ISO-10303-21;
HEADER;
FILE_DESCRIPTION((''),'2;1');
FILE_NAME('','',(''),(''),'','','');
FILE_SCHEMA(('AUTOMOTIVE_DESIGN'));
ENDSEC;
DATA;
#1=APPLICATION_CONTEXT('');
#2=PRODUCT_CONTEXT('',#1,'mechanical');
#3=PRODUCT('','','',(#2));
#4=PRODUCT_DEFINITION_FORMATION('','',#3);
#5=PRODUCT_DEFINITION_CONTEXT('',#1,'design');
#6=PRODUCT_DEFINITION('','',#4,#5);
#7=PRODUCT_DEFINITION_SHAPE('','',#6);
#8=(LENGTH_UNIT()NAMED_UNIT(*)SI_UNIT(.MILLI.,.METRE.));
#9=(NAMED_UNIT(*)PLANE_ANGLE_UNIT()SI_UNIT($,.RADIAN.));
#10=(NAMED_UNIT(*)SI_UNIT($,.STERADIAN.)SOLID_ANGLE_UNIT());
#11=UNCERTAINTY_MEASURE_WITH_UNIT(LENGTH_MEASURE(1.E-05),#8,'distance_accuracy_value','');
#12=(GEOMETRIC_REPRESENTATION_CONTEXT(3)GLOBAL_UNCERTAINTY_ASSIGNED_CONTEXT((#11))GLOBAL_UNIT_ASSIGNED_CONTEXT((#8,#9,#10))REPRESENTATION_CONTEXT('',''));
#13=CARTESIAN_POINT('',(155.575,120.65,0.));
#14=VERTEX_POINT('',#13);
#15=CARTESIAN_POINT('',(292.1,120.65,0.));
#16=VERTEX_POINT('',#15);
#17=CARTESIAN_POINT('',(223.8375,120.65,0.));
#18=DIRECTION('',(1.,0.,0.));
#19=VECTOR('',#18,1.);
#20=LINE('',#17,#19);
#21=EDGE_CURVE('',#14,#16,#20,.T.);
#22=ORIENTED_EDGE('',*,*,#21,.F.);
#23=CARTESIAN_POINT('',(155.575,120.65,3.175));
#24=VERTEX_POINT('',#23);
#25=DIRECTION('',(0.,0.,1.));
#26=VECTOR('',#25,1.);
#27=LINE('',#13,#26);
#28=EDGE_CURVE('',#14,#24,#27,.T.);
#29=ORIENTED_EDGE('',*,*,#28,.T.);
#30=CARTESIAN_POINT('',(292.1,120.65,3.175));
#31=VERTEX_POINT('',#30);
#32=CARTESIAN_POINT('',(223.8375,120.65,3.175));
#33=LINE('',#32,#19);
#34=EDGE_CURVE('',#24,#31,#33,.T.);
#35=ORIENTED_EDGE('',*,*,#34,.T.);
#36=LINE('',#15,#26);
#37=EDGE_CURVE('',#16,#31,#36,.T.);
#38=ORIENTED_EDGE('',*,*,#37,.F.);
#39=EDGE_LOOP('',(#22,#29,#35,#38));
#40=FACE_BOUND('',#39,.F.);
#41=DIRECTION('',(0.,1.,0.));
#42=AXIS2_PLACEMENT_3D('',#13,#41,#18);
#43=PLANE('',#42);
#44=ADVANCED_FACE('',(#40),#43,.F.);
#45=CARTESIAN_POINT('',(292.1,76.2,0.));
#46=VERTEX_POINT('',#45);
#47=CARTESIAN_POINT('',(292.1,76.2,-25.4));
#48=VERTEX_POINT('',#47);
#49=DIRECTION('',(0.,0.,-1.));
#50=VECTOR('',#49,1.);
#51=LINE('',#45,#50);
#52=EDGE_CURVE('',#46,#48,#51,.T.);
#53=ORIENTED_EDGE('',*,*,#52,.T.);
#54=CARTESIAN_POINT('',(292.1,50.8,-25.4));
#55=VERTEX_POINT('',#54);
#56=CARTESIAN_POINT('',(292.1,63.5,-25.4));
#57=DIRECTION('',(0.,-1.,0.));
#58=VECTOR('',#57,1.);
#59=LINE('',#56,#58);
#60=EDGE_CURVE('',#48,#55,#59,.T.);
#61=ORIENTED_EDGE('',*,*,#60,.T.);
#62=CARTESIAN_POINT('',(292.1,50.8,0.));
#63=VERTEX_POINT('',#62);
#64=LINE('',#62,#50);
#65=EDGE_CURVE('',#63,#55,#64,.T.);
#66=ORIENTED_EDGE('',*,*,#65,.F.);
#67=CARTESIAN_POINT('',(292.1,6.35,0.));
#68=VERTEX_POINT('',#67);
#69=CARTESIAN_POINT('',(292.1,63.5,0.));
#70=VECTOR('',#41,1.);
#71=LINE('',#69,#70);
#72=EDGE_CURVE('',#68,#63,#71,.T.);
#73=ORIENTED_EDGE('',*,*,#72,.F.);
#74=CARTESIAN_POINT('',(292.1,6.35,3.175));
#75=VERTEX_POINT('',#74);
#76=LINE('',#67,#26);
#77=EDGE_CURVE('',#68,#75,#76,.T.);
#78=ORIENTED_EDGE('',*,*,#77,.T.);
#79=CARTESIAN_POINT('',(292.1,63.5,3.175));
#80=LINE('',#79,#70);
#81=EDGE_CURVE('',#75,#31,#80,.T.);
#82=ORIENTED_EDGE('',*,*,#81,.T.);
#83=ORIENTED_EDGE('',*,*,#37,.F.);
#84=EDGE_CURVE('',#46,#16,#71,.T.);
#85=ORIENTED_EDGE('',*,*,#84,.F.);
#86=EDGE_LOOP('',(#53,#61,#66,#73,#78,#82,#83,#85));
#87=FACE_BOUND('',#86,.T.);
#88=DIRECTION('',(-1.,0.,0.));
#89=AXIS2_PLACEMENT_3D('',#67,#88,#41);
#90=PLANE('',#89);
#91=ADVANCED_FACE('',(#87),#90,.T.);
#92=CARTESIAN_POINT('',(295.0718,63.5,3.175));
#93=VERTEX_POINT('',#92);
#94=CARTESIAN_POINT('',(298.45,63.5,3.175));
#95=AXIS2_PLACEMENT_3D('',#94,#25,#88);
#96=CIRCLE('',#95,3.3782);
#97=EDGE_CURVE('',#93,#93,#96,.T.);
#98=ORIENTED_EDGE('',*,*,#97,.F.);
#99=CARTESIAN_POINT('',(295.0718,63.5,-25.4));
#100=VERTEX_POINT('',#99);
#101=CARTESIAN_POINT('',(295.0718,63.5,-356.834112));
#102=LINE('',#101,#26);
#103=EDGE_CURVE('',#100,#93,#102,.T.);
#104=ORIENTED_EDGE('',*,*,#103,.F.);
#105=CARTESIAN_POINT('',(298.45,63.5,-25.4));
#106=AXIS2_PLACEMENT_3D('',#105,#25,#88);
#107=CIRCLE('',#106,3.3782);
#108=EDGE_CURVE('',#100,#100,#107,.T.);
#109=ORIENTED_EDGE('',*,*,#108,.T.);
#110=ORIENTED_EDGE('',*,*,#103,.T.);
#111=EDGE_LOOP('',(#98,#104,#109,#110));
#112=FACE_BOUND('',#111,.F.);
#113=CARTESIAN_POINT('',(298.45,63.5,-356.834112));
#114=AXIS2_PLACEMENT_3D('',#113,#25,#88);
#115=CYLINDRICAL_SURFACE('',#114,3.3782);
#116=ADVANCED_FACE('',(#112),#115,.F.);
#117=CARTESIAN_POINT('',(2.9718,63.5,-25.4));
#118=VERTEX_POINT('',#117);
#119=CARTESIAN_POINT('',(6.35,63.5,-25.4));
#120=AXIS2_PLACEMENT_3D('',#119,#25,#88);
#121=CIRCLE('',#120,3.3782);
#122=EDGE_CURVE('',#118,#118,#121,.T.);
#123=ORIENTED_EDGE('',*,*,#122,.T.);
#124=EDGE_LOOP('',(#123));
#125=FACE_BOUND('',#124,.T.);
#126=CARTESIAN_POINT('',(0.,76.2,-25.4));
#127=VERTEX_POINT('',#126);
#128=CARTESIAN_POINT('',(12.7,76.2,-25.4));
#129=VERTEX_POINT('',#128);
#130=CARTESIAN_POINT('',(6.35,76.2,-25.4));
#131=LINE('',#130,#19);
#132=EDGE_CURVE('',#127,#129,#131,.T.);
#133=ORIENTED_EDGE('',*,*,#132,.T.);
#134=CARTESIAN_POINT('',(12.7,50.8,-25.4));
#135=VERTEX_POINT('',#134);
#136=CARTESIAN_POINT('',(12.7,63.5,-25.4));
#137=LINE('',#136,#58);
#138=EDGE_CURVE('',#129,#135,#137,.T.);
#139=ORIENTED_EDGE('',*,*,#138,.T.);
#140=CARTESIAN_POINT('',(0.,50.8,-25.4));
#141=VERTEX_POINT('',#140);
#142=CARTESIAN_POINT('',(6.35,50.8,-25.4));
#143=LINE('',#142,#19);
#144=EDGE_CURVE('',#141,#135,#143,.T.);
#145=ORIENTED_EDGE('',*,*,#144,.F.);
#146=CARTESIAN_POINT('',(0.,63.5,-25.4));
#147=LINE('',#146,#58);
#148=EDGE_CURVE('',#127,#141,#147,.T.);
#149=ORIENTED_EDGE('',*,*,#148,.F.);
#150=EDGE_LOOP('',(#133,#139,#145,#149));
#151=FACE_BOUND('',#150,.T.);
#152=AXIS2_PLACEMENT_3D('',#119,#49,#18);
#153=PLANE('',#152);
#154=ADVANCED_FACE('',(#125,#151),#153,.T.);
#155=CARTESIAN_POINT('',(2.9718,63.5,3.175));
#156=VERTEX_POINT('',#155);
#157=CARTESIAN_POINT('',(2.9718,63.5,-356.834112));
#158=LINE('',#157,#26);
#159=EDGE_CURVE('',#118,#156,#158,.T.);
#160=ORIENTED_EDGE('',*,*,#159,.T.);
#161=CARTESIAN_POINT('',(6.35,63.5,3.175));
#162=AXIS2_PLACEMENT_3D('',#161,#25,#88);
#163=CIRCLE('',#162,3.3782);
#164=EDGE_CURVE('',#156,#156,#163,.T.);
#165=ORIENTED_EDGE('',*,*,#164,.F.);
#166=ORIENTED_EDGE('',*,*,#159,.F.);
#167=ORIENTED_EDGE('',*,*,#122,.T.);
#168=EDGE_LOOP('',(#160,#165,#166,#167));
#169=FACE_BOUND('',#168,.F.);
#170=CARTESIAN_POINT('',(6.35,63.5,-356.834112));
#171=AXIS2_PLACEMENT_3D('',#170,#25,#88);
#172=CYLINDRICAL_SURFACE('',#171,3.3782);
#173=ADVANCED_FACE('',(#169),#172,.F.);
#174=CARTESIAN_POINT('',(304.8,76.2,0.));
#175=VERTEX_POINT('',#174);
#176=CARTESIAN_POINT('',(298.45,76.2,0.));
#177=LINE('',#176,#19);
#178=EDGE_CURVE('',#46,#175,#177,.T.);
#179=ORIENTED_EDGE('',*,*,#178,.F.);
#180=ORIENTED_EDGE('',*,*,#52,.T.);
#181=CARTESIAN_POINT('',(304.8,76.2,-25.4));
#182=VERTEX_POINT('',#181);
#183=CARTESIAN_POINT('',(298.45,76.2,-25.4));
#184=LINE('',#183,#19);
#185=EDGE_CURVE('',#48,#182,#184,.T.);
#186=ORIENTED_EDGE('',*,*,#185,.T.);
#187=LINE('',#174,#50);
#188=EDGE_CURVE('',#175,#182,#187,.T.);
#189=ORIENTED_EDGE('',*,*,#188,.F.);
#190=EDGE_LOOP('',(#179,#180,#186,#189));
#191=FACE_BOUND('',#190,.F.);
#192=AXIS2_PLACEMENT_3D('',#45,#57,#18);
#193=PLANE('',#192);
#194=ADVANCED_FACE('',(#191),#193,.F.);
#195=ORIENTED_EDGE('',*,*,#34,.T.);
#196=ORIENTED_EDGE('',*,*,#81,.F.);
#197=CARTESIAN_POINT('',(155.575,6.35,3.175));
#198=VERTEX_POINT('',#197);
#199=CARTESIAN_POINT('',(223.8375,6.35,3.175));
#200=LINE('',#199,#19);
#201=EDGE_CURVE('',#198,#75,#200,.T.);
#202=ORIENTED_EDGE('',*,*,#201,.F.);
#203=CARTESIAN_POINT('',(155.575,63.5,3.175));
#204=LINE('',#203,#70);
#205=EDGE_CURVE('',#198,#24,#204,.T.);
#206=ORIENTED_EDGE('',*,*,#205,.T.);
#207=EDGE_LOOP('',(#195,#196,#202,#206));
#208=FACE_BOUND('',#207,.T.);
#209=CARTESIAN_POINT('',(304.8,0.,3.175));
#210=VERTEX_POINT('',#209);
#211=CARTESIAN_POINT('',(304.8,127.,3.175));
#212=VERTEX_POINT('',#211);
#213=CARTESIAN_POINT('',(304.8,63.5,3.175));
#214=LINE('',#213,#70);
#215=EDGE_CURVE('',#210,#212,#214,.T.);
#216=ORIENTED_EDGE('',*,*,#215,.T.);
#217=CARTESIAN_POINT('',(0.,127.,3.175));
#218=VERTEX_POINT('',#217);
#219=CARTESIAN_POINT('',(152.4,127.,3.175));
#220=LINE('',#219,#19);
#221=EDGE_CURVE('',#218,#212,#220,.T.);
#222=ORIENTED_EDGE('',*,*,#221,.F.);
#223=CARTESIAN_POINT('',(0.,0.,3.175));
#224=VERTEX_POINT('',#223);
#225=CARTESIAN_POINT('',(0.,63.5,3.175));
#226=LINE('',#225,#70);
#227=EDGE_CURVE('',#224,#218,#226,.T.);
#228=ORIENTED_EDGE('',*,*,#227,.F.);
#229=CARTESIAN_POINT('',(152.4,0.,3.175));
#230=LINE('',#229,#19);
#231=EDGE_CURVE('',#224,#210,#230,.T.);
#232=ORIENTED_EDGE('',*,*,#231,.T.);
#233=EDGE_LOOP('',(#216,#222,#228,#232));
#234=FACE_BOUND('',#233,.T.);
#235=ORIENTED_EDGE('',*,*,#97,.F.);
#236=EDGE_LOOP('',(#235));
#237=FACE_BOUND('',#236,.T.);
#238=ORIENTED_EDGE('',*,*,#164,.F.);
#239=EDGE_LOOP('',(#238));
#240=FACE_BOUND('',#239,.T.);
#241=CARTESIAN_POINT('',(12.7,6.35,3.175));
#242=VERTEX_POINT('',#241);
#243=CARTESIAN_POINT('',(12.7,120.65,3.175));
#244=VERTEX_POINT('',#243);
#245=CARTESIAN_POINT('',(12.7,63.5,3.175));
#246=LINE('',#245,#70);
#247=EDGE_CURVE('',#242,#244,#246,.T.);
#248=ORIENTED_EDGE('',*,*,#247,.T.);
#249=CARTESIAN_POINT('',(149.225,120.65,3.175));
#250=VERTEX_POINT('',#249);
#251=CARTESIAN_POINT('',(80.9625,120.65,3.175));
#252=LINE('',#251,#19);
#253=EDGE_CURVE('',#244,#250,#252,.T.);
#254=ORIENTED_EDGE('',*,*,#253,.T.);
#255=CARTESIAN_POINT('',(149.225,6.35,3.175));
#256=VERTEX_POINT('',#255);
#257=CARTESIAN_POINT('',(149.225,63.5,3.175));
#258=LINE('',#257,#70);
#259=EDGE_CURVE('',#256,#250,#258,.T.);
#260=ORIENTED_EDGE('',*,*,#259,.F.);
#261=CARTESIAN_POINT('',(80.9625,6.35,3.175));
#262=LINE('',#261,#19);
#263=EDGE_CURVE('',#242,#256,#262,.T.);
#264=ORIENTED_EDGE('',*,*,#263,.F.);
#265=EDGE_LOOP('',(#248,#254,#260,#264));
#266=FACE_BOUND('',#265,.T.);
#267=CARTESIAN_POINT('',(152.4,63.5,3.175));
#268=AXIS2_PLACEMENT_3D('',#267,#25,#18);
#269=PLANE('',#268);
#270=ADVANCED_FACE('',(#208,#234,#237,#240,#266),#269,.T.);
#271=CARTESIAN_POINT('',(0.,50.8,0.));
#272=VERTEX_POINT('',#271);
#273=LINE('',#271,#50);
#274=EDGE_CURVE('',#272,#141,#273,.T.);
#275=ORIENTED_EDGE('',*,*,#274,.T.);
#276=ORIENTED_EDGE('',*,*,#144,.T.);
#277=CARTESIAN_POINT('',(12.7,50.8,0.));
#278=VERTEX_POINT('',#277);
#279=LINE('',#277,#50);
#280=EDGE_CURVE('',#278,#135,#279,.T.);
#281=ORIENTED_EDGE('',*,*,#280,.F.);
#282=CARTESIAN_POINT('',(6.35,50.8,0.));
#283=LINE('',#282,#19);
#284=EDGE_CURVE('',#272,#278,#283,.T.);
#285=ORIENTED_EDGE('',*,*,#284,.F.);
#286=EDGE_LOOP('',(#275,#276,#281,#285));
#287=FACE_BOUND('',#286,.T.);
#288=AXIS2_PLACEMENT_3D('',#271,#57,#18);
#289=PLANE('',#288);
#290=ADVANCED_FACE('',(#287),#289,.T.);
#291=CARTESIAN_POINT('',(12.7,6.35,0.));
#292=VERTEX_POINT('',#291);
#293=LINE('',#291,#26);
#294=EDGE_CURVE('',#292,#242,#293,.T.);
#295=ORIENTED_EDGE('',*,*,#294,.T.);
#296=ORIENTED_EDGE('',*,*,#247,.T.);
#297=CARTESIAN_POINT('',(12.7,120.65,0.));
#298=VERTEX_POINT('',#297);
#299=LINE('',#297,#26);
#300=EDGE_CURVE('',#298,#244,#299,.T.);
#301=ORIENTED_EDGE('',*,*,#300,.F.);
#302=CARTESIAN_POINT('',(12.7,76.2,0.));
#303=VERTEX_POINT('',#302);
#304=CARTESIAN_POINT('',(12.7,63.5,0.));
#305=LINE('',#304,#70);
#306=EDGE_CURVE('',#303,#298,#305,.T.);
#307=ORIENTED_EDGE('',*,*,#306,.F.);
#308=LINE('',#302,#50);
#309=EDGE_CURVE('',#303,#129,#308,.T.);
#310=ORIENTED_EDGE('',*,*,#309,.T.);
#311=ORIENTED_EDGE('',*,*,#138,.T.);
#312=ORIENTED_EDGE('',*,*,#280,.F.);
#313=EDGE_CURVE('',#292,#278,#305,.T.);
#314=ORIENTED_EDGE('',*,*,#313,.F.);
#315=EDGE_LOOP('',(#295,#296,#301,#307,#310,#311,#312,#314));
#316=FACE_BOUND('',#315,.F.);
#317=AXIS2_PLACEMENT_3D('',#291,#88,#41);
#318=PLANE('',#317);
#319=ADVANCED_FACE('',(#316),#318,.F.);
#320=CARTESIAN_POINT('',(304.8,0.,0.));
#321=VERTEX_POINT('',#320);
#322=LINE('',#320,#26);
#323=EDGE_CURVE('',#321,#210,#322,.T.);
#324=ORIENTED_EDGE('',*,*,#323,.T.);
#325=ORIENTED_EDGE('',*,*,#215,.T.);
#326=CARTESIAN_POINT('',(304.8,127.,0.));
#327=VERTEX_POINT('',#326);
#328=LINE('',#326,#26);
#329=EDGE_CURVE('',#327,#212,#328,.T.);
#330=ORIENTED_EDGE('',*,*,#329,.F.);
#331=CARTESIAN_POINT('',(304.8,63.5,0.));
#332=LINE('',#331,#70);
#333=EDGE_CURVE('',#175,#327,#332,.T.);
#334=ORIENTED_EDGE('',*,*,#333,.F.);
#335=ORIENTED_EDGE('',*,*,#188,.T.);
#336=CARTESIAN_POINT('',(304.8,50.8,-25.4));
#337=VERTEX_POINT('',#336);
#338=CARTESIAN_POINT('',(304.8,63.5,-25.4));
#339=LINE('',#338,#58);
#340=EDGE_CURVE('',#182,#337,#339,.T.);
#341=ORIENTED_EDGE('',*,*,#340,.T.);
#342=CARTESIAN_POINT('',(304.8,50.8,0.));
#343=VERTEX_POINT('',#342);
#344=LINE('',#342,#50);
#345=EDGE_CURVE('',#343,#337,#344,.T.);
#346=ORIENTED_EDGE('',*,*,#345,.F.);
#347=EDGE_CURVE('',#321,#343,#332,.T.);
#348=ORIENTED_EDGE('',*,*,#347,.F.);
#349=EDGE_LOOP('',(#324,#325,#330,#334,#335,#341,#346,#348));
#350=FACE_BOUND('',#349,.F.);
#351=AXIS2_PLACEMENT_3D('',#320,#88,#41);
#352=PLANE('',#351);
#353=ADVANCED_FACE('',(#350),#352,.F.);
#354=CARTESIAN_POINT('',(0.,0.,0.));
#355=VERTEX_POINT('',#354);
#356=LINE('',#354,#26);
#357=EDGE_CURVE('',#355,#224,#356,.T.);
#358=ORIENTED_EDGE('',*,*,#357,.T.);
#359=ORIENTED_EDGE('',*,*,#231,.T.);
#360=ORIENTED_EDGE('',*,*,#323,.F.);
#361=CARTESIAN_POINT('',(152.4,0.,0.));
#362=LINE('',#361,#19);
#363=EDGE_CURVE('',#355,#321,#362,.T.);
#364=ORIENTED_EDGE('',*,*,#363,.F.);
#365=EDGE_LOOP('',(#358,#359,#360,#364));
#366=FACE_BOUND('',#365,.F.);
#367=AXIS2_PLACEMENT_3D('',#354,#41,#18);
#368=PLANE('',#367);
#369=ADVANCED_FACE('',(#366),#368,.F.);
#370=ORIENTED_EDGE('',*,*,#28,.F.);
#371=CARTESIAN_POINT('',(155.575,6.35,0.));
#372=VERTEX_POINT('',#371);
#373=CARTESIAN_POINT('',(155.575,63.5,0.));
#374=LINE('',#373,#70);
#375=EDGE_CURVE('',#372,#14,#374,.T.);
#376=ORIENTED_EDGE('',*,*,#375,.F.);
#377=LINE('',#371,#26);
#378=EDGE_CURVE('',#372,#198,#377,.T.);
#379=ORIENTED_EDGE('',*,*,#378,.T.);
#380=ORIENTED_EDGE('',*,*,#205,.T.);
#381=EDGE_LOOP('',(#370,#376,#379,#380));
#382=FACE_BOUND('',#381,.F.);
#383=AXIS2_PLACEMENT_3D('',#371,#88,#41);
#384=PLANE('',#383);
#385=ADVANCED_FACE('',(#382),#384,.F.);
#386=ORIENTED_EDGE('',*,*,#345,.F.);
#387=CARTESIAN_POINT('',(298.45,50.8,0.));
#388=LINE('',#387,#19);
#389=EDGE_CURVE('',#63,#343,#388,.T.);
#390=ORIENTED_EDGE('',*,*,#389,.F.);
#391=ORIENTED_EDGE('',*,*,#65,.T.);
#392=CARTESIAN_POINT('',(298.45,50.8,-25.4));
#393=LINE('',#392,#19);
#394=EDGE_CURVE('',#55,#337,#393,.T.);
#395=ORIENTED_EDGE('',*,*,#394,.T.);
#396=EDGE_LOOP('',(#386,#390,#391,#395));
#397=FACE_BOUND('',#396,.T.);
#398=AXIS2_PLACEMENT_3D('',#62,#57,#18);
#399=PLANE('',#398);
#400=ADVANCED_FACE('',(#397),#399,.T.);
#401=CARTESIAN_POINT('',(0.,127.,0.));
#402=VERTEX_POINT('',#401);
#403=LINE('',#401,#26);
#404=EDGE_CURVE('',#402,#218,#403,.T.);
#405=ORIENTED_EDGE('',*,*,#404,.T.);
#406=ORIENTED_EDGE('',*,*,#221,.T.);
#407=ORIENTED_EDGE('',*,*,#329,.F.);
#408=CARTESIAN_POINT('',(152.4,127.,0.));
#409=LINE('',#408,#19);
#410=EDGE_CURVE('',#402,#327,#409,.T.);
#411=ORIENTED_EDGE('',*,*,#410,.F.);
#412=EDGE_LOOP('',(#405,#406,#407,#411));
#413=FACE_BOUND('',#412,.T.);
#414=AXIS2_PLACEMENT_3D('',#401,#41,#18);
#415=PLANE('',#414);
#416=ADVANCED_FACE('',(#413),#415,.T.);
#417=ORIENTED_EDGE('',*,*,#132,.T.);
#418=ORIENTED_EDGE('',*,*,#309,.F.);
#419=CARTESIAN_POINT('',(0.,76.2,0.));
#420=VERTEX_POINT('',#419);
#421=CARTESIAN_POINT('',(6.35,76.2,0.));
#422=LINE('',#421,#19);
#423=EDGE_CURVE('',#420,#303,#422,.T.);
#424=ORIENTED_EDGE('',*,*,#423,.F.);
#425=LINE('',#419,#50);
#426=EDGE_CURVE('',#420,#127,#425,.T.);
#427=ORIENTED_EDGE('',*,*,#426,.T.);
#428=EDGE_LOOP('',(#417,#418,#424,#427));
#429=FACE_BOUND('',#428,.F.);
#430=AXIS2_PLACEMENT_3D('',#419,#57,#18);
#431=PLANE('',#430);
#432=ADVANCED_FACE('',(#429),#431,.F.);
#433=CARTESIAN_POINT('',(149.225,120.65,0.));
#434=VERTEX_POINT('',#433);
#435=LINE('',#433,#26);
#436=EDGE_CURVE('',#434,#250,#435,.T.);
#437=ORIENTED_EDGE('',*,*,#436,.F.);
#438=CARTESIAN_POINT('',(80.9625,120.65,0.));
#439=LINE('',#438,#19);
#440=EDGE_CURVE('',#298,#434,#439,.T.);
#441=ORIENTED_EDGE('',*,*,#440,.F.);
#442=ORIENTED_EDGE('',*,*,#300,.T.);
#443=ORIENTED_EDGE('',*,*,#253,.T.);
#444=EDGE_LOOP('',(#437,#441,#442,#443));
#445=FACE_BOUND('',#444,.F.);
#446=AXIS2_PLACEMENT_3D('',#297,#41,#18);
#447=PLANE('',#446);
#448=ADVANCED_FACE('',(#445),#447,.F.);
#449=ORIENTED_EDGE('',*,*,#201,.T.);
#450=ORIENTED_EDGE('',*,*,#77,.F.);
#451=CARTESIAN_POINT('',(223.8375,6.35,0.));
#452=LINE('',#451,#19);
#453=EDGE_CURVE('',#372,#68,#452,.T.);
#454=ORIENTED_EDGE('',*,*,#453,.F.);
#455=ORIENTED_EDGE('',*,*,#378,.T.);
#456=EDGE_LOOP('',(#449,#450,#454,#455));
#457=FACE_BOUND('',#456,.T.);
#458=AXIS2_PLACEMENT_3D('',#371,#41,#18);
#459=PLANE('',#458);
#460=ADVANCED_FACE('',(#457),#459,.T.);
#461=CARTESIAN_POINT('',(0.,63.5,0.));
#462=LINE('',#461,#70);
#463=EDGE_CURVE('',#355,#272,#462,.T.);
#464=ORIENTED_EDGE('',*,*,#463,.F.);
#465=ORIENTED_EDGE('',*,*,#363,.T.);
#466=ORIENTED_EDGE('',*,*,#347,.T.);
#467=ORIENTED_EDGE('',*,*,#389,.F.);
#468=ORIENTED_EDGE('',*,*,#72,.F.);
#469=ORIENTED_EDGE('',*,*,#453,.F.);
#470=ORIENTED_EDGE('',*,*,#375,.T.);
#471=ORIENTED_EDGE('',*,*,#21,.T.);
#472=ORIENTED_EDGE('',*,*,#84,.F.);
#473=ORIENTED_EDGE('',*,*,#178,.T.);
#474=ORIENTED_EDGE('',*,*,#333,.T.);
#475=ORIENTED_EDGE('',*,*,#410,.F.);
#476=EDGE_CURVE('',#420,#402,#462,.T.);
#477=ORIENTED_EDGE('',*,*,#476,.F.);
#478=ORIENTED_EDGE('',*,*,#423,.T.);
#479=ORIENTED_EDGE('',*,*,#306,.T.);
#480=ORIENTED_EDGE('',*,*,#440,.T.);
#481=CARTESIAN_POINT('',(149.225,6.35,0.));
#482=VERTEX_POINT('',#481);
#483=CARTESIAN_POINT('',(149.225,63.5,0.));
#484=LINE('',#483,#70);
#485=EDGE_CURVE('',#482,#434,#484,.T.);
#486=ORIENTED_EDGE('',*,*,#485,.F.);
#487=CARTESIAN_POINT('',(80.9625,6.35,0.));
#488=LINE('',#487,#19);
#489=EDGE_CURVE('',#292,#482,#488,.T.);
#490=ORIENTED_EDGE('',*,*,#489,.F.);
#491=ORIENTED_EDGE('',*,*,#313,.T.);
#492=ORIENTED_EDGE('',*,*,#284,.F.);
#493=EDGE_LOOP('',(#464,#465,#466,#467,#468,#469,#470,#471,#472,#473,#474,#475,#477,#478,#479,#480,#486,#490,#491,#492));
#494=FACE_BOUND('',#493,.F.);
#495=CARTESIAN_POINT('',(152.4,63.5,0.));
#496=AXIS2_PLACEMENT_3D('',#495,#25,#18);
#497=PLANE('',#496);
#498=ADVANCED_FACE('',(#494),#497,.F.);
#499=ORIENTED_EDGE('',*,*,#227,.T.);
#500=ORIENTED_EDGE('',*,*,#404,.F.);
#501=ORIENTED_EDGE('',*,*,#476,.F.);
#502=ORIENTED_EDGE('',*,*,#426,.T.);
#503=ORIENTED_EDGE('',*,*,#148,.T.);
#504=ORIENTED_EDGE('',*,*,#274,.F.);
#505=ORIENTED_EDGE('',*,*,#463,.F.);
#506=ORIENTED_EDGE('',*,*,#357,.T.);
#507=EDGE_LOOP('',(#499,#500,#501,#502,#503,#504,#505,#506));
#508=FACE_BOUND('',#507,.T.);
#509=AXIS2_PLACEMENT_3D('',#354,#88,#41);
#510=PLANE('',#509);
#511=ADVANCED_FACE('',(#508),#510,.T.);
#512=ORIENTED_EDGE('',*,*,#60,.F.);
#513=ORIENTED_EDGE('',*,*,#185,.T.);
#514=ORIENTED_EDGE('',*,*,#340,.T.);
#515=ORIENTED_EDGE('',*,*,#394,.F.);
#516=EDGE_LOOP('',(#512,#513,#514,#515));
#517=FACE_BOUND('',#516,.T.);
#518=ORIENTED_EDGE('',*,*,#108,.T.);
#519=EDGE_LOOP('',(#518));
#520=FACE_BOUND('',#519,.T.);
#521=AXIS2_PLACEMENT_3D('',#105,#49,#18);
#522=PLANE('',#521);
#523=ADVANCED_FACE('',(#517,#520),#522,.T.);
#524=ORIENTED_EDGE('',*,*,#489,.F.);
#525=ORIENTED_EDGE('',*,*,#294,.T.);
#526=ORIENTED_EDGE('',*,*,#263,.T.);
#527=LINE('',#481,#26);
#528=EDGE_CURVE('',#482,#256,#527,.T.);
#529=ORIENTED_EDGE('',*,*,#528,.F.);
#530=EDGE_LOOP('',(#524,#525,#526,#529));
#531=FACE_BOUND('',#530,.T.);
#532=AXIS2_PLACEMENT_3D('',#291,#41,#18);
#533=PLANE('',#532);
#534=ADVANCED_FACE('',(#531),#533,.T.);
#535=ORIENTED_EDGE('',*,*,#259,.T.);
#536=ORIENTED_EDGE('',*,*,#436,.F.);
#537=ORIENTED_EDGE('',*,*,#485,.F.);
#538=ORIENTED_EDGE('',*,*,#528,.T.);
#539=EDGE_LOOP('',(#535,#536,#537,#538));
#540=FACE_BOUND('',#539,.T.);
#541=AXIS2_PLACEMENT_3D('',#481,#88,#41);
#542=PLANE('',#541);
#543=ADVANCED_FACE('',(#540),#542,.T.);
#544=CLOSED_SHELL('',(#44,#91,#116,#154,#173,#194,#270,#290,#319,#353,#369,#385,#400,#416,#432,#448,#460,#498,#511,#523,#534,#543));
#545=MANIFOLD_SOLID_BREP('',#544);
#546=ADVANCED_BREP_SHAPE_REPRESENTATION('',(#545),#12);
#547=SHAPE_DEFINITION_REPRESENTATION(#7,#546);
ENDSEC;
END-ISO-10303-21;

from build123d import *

# Parameters (mm, degrees)
F0_W     = 304.8
F0_H     = 127
F0_W_2   = 136.525
F0_H_2   = 114.3
F1_DEPTH = 3.175
F2_W     = 12.7
F2_H     = 25.4
F3_DEPTH = 25.4
F5_D     = 6.7564


with BuildPart() as f1:
    # F0 (on Top) → F1 (new body)
    with BuildSketch(Plane.XY):
        with Locations((152.4, 63.5)):
            Rectangle(F0_W, F0_H)
        with Locations((80.9625, 63.5)):
            Rectangle(F0_W_2, F0_H_2, mode=Mode.SUBTRACT)
        with Locations((223.8375, 63.5)):
            Rectangle(F0_W_2, F0_H_2, mode=Mode.SUBTRACT)
    extrude(amount=F1_DEPTH)

    # F2 (on face) → F3 (join)
    with BuildSketch(Plane(origin=(0, 0, 0), x_dir=(1, 0, 0), z_dir=(0, 0, -1))):
        with Locations((6.35, -63.5)):
            Rectangle(F2_W, F2_H)
        with Locations((298.45, -63.5)):
            Rectangle(F2_W, F2_H)
    extrude(amount=F3_DEPTH)

    # F5 (through all)
    with Locations(Plane(origin=(0, 0, -25.4), x_dir=(1, 0, 0), z_dir=(0, 0, -1))):
        with Locations((6.35, -63.5), (298.45, -63.5)):
            Hole(F5_D / 2)


solid = f1.part
